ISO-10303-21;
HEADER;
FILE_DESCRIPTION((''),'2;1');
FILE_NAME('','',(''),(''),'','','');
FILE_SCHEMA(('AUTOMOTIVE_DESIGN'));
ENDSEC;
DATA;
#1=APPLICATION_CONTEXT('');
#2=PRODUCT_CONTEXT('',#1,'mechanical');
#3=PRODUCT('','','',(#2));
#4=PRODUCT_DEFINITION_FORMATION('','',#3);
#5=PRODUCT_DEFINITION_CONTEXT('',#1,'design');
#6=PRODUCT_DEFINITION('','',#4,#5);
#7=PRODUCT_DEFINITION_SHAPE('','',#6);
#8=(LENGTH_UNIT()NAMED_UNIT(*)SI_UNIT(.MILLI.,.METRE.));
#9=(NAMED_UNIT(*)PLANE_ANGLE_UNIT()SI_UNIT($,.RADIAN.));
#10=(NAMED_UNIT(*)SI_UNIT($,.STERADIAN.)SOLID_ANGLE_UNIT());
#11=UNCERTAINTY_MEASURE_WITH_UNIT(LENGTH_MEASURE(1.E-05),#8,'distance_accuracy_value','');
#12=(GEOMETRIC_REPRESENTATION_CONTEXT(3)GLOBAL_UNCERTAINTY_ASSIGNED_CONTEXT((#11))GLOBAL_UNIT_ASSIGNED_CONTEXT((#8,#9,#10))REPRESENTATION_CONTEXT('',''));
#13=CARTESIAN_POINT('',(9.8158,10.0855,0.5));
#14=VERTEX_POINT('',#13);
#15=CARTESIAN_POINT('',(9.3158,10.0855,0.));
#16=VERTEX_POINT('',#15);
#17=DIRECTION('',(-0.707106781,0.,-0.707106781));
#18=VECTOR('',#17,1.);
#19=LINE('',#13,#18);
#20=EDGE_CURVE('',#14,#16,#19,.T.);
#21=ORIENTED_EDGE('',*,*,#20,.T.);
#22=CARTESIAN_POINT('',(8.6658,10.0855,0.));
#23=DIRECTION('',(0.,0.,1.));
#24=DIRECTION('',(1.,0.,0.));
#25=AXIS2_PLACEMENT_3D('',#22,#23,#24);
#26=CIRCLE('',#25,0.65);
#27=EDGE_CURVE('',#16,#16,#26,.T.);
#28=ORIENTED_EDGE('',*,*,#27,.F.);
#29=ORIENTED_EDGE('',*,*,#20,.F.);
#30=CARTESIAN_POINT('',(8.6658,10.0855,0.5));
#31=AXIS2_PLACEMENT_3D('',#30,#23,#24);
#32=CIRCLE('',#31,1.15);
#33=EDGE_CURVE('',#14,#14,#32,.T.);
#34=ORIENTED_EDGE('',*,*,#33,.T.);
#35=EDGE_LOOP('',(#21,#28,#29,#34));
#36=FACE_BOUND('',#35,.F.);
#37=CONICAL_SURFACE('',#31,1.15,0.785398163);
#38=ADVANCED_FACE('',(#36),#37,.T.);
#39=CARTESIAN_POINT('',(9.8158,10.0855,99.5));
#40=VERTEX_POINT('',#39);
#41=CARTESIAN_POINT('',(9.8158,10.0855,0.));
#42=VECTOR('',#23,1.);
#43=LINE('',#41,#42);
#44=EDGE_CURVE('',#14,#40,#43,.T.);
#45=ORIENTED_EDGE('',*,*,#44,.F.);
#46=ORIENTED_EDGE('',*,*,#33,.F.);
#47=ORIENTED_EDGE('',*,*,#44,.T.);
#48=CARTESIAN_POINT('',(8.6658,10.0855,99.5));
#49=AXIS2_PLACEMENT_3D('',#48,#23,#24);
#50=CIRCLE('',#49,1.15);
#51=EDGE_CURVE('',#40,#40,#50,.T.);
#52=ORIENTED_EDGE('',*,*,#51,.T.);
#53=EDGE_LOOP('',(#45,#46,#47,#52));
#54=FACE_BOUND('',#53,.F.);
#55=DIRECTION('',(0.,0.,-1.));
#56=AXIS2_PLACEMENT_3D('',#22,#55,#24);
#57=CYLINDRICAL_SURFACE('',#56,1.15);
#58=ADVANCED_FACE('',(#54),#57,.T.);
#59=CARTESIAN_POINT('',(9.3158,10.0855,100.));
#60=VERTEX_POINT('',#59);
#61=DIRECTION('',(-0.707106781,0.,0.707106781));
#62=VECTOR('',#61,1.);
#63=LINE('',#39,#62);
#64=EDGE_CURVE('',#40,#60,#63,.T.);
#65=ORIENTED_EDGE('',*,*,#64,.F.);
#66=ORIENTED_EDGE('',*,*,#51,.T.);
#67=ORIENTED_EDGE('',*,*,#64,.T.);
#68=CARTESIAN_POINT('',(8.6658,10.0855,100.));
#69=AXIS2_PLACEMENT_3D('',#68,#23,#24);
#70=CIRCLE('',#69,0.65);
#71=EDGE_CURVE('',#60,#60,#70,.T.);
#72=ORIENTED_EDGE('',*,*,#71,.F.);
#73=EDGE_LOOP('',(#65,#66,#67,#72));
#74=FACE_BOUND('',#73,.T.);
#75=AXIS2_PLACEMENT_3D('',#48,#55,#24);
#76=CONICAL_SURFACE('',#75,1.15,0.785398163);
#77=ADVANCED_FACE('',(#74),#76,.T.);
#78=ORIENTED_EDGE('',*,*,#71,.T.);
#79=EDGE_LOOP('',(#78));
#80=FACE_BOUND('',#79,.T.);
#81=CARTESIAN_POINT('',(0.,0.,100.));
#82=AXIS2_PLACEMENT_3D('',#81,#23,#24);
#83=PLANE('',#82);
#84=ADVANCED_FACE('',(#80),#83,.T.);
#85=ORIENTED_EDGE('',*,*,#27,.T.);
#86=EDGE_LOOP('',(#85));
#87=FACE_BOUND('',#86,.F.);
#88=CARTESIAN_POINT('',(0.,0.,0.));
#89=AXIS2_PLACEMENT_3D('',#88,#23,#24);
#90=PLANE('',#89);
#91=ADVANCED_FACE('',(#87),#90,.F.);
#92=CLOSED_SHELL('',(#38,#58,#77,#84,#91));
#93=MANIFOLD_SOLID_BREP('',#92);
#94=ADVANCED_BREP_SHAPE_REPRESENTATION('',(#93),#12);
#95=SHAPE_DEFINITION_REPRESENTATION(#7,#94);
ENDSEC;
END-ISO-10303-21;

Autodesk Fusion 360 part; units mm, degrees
sketch "Sketch1" plane through (0, 0, 0) normal (0, 0, 1) x (1, 0, 0)
  circle A0 centre (8.6658, 10.0855) radius 1.15
  dimension "d1" = 2.3
extrude "Extrude1" add sketch "Sketch1" along normal blind 120
extrude "Extrude2" cut 1 faces at (8.9089, 10.1799, 120) along direction (0, 0, -1) blind 20
chamfer "Chamfer1" distance 0.5 angle 45 2 faces at (8.9089, 10.1799, 100) (9.7701, 9.7644, 33.3333)
